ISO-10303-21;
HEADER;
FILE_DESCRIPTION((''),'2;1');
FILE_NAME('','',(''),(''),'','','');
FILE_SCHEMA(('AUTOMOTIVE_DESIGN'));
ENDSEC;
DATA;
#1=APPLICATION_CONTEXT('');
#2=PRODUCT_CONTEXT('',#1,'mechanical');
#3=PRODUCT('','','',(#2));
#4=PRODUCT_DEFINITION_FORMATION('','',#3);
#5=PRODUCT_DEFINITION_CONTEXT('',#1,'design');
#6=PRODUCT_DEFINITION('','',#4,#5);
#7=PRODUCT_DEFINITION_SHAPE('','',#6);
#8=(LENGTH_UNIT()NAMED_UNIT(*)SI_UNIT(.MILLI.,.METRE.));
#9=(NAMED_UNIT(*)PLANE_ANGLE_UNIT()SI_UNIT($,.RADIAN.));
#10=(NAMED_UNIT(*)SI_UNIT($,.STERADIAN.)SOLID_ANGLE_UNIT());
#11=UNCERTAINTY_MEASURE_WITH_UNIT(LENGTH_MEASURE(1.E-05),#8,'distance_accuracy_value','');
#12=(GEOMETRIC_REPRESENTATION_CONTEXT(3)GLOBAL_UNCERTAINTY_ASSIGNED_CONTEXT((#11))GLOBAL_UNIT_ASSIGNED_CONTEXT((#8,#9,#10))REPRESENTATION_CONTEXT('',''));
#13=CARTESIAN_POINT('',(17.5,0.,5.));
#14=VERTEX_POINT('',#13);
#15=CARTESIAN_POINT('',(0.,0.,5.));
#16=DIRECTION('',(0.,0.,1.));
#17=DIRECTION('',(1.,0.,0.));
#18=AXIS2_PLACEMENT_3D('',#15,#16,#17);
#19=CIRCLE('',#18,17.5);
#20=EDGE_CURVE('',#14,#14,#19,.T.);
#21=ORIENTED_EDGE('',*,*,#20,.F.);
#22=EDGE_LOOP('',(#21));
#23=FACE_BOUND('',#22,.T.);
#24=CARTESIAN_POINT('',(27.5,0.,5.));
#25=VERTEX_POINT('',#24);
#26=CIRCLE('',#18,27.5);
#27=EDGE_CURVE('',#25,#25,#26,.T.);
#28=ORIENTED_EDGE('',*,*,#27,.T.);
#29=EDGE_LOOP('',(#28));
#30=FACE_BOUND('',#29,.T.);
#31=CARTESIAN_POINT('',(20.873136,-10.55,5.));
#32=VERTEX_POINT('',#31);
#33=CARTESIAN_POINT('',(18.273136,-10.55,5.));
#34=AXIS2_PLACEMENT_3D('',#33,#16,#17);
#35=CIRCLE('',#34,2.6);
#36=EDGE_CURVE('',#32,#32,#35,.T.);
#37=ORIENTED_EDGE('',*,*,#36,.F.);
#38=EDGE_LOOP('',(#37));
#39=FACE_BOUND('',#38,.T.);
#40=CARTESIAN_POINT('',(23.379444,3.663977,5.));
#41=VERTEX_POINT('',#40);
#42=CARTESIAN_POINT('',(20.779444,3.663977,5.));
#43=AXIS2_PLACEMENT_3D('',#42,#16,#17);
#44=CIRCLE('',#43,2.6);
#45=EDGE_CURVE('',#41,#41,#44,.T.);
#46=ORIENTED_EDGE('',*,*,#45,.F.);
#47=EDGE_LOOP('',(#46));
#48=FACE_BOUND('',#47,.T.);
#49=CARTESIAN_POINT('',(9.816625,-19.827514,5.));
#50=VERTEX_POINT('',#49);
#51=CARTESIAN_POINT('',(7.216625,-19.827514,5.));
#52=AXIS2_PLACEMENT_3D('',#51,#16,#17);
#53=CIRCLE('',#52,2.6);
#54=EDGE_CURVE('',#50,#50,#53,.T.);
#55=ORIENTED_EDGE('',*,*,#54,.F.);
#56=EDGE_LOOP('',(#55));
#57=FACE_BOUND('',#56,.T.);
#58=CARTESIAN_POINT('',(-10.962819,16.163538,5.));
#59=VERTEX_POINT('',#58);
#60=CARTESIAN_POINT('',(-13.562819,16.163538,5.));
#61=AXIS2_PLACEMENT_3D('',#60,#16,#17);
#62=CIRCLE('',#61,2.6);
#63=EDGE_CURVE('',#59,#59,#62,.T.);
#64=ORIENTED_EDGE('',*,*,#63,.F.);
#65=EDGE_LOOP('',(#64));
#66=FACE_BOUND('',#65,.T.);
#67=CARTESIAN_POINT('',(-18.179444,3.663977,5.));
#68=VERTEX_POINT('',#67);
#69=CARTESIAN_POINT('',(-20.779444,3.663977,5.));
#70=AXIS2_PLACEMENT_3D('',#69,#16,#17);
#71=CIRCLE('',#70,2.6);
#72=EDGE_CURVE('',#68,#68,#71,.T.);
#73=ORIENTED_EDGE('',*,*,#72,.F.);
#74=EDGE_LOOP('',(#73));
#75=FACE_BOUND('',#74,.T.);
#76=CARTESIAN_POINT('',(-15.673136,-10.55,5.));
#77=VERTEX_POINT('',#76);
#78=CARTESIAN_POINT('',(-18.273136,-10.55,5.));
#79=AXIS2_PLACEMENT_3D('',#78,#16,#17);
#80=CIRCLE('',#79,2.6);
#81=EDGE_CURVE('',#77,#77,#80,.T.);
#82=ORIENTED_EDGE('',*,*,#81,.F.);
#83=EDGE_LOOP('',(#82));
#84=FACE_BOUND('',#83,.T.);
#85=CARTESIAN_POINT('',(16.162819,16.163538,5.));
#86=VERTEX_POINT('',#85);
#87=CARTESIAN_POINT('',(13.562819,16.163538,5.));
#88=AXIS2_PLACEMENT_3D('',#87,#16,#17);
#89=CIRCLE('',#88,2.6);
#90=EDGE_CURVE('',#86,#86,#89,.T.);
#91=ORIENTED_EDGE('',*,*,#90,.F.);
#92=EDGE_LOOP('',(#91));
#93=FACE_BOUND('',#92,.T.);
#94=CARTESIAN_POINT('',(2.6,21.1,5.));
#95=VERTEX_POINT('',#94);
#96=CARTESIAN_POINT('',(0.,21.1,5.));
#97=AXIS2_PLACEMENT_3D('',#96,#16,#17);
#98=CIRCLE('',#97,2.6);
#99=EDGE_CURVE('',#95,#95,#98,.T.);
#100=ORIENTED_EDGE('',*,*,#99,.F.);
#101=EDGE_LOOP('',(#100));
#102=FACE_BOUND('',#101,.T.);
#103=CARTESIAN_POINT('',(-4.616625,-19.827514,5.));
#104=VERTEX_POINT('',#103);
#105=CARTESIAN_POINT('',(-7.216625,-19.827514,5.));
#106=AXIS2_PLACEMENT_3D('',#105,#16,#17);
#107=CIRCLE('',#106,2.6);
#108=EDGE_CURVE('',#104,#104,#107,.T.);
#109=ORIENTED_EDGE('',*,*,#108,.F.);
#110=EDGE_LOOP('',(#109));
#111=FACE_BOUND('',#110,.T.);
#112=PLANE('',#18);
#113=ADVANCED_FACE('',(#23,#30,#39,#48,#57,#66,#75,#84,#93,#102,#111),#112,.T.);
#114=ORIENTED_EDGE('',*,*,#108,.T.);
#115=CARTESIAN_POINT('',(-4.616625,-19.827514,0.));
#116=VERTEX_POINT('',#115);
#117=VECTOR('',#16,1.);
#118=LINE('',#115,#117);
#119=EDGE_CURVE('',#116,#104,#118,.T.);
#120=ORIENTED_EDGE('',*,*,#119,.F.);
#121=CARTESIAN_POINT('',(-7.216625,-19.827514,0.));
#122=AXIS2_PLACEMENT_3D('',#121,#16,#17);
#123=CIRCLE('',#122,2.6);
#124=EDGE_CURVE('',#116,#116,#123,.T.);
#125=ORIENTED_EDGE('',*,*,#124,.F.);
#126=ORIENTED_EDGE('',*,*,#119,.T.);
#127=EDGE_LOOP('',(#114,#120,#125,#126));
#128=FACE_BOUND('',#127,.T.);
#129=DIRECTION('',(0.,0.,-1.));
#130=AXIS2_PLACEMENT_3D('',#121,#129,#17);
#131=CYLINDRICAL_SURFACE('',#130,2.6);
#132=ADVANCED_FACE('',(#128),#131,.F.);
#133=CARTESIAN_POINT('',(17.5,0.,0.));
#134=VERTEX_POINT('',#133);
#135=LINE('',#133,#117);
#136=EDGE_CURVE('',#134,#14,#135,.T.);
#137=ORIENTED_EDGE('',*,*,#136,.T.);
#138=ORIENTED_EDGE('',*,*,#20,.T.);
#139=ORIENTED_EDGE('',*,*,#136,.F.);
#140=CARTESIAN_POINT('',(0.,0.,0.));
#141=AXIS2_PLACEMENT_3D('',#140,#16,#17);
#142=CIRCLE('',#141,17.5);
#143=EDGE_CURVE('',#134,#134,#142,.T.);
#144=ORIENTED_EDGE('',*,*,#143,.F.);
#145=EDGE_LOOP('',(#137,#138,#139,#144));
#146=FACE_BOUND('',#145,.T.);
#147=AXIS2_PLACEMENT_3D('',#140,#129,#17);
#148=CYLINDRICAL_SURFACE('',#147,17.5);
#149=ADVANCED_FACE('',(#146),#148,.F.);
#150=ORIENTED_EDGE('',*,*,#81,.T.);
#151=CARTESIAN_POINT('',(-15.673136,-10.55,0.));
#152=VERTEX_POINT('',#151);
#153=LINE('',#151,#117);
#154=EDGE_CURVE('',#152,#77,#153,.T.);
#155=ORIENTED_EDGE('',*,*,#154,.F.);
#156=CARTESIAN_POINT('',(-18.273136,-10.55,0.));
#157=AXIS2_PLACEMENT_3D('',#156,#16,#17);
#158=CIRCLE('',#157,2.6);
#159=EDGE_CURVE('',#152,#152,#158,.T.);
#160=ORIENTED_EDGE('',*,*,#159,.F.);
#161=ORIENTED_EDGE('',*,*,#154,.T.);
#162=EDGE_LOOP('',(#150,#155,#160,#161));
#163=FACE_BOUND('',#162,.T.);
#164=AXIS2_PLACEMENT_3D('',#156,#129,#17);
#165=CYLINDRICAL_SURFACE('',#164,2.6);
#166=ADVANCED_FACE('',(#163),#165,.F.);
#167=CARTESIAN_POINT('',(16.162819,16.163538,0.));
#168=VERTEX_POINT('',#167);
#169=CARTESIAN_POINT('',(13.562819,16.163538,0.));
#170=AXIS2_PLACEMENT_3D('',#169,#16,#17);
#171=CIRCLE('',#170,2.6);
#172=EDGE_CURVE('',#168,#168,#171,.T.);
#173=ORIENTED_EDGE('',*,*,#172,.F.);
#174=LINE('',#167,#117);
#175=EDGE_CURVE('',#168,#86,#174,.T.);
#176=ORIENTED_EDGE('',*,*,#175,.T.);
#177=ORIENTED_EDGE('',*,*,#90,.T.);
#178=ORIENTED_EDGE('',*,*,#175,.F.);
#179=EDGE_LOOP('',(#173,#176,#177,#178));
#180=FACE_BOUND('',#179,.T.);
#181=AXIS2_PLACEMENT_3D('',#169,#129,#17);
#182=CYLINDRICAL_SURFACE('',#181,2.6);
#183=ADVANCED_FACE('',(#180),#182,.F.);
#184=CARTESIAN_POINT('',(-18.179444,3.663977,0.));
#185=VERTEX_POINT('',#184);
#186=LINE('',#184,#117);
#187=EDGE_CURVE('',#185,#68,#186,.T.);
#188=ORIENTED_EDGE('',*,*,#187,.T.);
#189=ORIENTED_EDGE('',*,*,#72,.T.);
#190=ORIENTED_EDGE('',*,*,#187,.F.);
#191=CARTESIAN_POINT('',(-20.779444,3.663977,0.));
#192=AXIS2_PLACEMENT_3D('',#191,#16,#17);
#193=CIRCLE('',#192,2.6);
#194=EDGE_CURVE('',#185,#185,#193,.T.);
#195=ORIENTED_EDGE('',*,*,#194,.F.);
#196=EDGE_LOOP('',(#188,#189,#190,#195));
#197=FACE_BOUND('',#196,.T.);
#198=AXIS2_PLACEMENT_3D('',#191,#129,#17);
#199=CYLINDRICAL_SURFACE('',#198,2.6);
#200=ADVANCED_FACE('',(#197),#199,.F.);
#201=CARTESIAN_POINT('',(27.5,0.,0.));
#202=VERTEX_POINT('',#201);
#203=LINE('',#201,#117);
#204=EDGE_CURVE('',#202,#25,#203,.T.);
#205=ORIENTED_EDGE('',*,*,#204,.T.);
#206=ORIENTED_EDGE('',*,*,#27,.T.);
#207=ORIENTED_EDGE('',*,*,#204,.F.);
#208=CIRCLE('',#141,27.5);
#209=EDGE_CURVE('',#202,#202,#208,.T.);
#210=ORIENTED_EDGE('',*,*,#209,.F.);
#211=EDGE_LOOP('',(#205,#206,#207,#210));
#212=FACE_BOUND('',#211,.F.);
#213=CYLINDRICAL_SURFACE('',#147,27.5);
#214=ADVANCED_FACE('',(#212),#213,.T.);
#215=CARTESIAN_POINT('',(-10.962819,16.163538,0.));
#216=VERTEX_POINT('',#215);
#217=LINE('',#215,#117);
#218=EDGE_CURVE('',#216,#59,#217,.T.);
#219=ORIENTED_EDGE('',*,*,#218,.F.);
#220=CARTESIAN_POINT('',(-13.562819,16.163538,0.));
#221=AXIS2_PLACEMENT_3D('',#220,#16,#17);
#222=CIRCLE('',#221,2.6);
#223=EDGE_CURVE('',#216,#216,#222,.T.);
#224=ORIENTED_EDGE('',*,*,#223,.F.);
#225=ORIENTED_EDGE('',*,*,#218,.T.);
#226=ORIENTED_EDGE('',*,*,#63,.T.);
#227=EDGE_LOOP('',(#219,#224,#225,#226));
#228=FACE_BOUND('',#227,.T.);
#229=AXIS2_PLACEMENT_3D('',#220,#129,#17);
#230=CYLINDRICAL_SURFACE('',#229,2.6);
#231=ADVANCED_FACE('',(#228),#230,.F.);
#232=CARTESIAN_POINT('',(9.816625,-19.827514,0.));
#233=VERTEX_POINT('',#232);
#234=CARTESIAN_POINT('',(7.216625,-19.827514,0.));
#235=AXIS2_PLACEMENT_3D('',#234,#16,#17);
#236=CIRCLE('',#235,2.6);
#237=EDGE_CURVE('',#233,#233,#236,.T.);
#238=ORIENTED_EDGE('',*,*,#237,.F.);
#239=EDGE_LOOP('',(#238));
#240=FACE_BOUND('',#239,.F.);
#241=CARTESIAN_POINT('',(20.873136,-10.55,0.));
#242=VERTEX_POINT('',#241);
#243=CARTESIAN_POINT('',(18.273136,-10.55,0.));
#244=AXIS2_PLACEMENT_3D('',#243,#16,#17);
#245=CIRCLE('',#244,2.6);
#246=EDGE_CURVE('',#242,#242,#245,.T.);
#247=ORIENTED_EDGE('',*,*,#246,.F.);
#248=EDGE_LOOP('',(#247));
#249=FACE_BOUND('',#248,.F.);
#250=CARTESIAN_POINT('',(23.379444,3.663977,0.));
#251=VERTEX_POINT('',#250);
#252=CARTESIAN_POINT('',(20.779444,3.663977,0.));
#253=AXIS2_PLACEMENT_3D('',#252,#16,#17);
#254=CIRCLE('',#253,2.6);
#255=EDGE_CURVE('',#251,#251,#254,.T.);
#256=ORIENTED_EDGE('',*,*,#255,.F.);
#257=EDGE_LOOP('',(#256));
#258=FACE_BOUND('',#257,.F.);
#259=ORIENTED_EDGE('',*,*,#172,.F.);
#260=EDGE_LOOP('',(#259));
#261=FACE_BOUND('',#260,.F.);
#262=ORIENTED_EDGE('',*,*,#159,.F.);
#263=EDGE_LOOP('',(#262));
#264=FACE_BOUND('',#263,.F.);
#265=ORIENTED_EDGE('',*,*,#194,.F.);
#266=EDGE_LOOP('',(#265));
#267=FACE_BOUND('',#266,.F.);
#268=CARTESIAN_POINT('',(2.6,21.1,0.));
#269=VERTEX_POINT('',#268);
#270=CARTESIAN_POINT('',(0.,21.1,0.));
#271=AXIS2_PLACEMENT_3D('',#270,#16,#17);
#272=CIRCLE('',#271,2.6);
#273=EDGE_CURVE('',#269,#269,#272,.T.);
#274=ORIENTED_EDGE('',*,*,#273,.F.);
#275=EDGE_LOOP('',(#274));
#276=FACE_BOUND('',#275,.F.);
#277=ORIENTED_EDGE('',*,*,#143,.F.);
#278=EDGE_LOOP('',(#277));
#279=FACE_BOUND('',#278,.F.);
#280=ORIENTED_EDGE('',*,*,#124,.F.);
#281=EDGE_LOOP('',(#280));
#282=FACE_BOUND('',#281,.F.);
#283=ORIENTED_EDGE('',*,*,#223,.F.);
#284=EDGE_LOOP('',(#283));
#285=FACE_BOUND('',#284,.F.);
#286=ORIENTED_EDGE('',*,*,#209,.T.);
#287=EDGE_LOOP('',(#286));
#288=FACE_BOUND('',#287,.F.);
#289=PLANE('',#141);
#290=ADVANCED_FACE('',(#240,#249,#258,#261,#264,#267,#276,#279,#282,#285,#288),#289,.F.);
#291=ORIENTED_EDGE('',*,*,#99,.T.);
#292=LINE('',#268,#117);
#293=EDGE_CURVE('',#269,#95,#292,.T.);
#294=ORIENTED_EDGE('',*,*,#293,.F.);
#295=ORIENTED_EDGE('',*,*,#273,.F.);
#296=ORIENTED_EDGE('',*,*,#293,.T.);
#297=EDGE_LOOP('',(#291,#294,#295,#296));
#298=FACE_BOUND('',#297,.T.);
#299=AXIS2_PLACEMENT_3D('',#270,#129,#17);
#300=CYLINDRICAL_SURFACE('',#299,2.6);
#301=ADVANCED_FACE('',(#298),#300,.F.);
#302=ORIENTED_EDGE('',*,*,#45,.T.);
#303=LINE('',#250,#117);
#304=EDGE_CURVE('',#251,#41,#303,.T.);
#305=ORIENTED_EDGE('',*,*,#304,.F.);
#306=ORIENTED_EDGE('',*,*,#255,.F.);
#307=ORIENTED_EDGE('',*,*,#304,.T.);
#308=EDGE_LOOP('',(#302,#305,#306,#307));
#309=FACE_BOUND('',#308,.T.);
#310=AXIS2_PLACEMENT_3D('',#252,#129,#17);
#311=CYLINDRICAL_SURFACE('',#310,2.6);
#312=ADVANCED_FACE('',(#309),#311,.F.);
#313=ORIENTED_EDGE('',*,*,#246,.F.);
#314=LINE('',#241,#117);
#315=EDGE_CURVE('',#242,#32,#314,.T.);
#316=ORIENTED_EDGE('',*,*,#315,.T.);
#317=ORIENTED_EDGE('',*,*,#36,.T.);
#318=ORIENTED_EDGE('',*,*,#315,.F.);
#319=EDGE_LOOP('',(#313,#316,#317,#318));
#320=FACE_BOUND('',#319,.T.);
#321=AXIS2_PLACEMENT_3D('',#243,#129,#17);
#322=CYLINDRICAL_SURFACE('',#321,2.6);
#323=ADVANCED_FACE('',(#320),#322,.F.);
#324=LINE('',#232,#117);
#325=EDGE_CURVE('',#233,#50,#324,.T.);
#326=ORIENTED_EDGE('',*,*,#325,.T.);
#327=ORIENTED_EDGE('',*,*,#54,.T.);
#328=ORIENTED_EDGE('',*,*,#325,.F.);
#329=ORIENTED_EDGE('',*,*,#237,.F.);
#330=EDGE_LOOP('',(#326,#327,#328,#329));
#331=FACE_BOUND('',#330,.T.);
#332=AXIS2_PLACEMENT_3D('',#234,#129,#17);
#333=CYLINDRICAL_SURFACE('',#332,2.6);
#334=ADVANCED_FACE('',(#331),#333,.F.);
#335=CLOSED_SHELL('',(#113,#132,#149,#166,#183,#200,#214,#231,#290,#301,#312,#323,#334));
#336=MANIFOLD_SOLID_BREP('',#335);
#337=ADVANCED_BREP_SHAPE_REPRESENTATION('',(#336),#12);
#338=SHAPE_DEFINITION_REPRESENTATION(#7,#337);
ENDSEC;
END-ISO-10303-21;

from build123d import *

# Parameters (mm, degrees)
F0_R     = 27.5
F0_R_2   = 2.6
F0_R_3   = 17.5
F1_DEPTH = 5


with BuildPart() as f1:
    # F0 (on Top) → F1 (new body)
    with BuildSketch(Plane.XY):
        Circle(F0_R)
        with Locations((-7.216625, -19.827514)):
            Circle(F0_R_2, mode=Mode.SUBTRACT)
        with Locations((-18.273136, -10.55)):
            Circle(F0_R_2, mode=Mode.SUBTRACT)
        with Locations((7.216625, -19.827514)):
            Circle(F0_R_2, mode=Mode.SUBTRACT)
        with Locations((18.273136, -10.55)):
            Circle(F0_R_2, mode=Mode.SUBTRACT)
        with Locations((-20.779444, 3.663977)):
            Circle(F0_R_2, mode=Mode.SUBTRACT)
        with Locations((-13.562819, 16.163538)):
            Circle(F0_R_2, mode=Mode.SUBTRACT)
        Circle(F0_R_3, mode=Mode.SUBTRACT)
        with Locations((20.779444, 3.663977)):
            Circle(F0_R_2, mode=Mode.SUBTRACT)
        with Locations((13.562819, 16.163538)):
            Circle(F0_R_2, mode=Mode.SUBTRACT)
        with Locations((0, 21.1)):
            Circle(F0_R_2, mode=Mode.SUBTRACT)
    extrude(amount=F1_DEPTH)


solid = f1.part
